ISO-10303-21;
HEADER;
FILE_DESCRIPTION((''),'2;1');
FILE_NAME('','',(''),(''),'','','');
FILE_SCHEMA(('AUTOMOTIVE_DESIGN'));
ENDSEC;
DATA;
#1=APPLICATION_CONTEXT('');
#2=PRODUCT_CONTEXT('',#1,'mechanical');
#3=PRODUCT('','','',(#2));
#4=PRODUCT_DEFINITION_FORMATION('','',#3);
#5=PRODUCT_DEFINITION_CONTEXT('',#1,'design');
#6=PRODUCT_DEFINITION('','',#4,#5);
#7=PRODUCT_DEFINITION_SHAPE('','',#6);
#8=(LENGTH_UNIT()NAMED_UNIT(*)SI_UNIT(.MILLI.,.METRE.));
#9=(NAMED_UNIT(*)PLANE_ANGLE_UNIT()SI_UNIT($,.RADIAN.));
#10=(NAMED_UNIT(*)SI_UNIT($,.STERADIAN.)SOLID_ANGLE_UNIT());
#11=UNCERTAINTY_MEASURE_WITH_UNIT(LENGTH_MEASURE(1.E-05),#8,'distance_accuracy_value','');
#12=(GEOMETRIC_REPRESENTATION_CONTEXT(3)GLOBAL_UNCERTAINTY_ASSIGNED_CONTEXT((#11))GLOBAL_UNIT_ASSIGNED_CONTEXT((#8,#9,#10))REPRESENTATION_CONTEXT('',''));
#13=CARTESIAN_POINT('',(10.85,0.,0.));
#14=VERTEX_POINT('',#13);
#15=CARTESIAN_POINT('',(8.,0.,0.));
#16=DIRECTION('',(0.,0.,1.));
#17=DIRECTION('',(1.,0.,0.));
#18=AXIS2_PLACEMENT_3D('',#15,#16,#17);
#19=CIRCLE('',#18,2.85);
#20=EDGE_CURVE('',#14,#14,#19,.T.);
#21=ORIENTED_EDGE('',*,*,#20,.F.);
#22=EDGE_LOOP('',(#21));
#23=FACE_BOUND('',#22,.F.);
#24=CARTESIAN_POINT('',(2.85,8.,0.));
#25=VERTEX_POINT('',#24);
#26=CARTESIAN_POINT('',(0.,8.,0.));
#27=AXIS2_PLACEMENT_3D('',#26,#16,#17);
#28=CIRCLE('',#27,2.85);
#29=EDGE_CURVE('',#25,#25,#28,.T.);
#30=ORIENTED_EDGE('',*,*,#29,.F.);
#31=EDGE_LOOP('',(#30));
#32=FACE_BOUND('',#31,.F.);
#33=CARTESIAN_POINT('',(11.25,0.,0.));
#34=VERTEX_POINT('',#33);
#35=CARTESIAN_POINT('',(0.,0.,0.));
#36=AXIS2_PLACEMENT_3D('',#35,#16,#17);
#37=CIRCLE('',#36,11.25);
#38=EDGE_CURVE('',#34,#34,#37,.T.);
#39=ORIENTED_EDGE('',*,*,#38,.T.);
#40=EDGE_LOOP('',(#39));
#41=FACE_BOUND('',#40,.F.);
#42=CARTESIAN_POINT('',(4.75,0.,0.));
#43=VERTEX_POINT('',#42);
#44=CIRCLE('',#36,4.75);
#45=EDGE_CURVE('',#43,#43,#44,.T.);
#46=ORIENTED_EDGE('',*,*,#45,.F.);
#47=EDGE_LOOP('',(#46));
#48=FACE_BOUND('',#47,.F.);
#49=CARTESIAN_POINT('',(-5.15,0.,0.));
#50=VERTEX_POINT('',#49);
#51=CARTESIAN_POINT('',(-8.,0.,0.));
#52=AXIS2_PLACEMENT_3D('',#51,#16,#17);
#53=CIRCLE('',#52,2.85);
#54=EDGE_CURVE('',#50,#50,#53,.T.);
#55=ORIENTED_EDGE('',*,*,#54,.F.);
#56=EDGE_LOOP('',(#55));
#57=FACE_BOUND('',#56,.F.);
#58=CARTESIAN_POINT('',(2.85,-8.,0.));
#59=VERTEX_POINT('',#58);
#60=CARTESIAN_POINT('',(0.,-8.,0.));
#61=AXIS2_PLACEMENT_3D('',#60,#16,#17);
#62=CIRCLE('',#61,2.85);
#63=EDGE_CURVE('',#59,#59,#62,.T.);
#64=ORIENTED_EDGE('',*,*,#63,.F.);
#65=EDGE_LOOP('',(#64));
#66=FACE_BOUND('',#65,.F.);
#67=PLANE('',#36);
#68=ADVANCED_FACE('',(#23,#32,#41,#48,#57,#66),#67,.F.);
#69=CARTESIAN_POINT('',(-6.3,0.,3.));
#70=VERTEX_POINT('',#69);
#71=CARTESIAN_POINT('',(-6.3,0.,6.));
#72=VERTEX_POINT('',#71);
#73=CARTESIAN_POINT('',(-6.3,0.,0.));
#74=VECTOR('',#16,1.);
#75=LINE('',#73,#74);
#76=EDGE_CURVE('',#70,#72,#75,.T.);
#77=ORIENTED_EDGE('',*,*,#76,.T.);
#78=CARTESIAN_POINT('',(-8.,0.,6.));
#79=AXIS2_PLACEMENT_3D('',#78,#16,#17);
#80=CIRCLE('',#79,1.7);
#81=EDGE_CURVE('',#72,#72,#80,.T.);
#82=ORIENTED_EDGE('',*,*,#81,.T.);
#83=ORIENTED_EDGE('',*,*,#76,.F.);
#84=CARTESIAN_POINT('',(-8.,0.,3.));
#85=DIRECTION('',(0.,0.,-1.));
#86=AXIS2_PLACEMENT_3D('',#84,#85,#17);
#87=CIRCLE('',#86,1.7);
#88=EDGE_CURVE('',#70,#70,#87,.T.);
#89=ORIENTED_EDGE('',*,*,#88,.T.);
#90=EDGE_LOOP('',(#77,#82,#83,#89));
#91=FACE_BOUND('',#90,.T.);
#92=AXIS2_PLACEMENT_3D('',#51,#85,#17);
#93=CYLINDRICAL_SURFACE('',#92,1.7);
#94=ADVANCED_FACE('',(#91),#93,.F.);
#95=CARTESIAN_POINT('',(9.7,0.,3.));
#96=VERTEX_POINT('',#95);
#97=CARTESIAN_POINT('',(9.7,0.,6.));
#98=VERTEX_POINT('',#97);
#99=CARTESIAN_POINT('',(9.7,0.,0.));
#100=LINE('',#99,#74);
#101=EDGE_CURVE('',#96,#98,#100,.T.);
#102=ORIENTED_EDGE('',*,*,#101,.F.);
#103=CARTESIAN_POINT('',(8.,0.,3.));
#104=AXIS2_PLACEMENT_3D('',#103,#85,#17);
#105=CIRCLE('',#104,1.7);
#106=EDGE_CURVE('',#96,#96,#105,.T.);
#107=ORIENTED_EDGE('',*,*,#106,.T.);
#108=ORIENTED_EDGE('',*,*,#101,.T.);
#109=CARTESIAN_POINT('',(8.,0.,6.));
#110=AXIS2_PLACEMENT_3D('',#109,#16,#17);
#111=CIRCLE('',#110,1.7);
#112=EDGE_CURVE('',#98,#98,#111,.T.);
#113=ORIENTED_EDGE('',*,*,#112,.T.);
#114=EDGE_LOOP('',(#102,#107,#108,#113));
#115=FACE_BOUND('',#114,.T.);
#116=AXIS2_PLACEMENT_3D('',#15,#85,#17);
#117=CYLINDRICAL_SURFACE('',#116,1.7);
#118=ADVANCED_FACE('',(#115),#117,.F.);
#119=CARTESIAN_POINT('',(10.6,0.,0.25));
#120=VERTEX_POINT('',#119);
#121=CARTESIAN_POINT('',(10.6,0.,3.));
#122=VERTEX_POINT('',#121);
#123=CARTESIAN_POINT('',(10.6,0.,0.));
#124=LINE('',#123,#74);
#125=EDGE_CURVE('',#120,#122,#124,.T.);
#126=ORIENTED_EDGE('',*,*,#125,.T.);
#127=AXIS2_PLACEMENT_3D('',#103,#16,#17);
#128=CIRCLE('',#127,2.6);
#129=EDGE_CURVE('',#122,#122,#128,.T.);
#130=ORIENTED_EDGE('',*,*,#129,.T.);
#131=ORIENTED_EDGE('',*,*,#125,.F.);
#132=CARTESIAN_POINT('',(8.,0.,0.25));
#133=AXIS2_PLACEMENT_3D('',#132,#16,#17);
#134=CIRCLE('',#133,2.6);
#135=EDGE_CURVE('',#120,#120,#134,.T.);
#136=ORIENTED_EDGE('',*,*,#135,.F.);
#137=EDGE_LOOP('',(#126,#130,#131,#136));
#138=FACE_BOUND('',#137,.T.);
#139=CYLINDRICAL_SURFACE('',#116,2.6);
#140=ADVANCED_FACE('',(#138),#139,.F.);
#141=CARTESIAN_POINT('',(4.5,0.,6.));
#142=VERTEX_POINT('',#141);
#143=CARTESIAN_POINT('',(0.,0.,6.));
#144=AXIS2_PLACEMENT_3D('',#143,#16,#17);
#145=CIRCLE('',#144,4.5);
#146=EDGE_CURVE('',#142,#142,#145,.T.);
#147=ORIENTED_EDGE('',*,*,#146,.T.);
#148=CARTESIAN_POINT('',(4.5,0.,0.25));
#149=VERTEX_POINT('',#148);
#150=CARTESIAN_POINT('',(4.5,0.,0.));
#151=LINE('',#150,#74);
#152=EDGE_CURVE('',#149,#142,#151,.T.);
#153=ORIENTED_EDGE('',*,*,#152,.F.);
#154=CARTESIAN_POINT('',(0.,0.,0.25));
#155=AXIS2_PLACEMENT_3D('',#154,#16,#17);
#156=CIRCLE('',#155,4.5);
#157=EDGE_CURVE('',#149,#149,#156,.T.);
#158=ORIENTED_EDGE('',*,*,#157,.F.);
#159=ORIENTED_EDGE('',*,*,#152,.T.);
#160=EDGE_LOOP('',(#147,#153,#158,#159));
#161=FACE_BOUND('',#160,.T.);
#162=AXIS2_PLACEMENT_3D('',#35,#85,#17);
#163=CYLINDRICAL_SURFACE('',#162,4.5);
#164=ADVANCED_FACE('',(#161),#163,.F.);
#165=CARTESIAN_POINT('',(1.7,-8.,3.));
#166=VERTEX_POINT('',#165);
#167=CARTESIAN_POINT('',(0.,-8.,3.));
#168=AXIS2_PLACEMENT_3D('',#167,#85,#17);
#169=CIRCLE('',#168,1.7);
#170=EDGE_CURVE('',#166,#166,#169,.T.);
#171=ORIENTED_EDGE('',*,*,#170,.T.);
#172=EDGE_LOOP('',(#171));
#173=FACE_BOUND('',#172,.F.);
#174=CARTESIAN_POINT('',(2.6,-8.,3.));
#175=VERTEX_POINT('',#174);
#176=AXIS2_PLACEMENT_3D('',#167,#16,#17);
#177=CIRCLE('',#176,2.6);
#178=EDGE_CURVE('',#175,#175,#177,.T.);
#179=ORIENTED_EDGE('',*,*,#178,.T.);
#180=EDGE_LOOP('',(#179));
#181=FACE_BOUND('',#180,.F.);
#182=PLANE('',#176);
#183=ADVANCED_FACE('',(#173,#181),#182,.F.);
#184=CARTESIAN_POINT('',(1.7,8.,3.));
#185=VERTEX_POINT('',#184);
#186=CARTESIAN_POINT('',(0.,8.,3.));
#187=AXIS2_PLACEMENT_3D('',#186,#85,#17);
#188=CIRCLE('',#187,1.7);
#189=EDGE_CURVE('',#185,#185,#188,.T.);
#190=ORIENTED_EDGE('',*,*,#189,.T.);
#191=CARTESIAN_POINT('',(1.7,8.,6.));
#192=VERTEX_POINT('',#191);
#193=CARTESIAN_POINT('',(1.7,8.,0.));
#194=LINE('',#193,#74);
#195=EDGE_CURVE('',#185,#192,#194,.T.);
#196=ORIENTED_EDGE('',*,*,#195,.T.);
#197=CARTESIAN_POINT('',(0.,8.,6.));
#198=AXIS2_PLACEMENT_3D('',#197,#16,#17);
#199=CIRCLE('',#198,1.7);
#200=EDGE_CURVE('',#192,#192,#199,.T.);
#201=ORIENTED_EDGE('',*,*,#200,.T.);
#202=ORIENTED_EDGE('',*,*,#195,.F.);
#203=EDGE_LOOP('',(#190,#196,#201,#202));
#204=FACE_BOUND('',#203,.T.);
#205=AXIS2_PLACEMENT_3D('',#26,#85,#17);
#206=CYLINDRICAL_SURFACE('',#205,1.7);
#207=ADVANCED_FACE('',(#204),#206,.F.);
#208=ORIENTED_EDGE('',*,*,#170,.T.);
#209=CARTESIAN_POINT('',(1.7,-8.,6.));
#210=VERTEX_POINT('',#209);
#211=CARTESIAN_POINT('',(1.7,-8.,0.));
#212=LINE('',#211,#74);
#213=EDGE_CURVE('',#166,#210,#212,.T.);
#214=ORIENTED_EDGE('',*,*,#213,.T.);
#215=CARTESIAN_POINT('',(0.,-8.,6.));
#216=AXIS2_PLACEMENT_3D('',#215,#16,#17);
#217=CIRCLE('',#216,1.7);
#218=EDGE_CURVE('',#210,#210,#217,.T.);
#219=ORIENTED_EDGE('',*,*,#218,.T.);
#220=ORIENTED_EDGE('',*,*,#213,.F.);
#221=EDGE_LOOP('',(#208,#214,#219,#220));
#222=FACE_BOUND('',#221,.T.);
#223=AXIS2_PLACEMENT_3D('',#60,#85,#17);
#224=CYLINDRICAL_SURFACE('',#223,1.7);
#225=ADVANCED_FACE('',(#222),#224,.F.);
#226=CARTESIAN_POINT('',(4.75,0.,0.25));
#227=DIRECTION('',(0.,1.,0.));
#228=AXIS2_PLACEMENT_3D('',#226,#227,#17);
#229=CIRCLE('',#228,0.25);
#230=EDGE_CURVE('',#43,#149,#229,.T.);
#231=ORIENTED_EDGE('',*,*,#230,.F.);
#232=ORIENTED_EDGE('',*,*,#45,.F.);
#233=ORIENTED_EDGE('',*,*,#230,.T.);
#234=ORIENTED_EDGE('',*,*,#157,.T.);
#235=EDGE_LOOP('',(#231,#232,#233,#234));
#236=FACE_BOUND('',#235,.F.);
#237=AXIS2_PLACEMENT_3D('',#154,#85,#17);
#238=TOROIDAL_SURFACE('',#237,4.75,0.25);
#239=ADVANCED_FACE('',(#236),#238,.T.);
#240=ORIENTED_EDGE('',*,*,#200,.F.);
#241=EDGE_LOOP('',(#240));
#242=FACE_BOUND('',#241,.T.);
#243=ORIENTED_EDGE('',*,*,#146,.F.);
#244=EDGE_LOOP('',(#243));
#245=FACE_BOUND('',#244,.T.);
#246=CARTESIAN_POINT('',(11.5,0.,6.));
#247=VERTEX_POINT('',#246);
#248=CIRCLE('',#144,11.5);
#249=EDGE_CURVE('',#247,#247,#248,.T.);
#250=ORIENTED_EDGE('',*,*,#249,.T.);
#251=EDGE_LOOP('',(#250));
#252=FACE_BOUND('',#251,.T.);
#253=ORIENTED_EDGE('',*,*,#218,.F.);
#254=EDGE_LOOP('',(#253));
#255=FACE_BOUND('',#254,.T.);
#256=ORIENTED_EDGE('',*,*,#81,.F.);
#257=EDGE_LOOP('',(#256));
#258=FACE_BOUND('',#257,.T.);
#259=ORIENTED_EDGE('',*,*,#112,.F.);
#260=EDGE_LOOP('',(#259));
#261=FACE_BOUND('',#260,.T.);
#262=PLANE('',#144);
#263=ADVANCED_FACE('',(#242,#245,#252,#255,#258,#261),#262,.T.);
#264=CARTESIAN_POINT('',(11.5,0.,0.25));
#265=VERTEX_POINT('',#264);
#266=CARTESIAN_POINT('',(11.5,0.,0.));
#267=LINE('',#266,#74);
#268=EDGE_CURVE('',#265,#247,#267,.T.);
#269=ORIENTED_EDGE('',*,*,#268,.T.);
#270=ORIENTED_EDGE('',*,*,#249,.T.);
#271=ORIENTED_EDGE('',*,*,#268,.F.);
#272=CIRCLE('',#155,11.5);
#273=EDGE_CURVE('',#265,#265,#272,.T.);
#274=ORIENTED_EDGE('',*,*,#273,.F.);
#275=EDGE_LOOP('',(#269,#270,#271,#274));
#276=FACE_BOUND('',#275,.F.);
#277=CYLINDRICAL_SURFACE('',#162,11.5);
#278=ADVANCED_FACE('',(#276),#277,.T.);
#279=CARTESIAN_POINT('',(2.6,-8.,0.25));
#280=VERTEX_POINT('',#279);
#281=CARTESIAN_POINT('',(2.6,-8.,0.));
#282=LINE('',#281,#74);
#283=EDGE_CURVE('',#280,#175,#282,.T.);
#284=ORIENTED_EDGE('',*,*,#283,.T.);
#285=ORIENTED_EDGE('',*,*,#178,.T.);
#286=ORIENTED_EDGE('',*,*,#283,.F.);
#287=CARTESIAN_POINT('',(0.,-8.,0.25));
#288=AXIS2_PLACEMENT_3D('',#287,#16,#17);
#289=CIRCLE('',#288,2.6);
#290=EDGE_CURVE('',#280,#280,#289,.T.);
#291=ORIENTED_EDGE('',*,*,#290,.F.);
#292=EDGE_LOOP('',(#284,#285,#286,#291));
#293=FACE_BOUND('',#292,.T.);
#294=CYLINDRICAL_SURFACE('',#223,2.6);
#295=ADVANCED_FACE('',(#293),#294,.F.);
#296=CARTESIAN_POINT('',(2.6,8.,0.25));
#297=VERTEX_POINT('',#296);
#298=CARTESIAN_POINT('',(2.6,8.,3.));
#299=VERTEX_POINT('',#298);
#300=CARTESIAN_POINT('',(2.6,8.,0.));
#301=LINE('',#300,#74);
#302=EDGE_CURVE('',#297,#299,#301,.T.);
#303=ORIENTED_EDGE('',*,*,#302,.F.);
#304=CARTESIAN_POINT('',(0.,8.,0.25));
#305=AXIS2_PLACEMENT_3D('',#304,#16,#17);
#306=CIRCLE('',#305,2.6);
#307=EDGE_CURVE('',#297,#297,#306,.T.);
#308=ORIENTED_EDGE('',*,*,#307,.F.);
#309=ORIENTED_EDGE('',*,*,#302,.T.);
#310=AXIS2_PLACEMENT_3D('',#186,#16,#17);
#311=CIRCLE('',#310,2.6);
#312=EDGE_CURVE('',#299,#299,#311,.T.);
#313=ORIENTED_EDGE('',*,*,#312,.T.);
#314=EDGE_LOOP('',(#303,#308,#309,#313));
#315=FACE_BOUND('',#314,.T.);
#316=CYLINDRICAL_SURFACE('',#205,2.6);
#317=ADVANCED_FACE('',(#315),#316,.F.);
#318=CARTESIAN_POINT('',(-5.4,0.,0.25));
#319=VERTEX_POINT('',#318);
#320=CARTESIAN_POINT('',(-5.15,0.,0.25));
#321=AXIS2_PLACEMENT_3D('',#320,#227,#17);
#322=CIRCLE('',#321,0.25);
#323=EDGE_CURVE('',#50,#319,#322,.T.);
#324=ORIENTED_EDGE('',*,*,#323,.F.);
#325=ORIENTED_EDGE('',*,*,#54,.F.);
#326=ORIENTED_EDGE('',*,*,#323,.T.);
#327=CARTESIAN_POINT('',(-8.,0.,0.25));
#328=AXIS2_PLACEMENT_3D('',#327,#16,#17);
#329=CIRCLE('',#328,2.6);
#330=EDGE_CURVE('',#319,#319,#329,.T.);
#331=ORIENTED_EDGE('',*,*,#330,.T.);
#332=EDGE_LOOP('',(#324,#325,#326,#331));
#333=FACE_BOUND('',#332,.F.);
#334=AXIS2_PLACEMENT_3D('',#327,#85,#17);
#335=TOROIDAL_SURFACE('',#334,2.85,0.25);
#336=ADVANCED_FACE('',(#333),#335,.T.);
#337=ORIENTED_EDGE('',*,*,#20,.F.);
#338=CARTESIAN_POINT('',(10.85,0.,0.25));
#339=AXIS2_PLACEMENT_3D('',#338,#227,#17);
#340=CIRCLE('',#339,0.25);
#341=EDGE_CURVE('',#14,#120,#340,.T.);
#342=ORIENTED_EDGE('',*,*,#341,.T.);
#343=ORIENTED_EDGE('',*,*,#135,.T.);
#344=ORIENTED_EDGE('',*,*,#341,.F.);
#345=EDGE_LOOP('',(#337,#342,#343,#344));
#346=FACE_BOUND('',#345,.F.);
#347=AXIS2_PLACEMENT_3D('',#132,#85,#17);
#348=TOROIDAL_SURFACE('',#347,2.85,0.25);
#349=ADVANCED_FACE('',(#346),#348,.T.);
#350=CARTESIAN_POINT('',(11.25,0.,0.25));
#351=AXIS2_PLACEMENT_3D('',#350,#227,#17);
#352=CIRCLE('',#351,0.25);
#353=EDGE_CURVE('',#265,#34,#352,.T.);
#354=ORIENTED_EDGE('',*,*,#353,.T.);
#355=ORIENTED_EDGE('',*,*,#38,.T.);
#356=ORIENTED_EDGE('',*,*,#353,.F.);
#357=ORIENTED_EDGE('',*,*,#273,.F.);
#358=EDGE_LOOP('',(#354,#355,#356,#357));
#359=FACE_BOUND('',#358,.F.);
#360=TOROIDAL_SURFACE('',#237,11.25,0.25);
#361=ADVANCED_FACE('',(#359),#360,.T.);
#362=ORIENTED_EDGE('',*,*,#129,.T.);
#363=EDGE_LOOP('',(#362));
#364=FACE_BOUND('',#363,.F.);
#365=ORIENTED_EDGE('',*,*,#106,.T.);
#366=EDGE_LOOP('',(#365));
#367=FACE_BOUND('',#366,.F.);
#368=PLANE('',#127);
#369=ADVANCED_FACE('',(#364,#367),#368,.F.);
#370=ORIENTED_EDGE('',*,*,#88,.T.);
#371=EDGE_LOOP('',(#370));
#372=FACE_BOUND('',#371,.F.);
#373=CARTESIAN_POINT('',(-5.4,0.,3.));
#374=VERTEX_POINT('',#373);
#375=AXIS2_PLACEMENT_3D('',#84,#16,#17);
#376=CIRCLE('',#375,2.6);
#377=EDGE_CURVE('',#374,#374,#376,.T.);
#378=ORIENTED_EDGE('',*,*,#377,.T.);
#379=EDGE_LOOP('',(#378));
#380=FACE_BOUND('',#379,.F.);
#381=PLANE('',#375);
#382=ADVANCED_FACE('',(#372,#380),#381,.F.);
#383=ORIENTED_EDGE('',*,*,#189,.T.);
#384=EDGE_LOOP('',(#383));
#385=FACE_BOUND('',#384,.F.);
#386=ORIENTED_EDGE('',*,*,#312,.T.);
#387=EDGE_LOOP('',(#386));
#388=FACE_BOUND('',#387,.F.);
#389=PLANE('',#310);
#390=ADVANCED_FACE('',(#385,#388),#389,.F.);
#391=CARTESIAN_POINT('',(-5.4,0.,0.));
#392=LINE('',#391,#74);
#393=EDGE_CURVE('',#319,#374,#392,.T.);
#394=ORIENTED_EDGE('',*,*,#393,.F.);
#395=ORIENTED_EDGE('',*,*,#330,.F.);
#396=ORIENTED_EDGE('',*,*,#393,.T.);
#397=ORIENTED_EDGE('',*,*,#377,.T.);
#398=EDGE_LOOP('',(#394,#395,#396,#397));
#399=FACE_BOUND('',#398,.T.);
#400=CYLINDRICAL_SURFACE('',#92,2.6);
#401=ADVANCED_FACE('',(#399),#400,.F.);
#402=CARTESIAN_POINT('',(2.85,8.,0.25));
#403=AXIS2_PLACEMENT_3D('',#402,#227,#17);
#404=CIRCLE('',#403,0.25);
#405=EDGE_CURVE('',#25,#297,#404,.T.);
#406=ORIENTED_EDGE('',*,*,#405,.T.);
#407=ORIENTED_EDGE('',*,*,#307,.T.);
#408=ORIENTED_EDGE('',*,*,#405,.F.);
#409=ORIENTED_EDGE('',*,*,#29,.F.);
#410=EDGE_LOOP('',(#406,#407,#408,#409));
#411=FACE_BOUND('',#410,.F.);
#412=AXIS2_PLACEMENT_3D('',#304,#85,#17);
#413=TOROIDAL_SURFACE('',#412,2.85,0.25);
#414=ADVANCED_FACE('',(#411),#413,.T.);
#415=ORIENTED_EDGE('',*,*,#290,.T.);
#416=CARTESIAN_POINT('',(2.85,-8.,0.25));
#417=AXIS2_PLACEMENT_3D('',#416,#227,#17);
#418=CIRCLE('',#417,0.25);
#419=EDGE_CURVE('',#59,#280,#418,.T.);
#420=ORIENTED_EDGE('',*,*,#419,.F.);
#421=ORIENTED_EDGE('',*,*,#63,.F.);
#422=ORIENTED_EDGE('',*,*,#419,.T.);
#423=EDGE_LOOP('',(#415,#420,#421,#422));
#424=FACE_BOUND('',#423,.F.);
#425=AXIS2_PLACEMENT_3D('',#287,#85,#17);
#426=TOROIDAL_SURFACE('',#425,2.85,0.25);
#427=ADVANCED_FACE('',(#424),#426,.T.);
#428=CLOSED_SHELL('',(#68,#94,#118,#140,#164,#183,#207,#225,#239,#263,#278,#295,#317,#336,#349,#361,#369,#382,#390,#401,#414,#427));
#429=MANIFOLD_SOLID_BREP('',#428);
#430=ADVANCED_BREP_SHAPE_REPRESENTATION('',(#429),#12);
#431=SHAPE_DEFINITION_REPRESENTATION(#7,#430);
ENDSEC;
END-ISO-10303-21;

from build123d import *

# Parameters (mm, degrees)
SKETCH_R     = 11.5
SKETCH_R_2   = 1.7
SKETCH_R_3   = 4.5
PAD_DEPTH    = 6
SKETCH001_R  = 2.6
POCKET_DEPTH = 3
FILLET_R     = 0.25


with BuildPart() as part:
    # Sketch → Pad (new body)
    with BuildSketch(Plane.XY):
        Circle(SKETCH_R)
        with Locations((0, 8)):
            Circle(SKETCH_R_2, mode=Mode.SUBTRACT)
        with Locations((-8, 0)):
            Circle(SKETCH_R_2, mode=Mode.SUBTRACT)
        with Locations((0, -8)):
            Circle(SKETCH_R_2, mode=Mode.SUBTRACT)
        with Locations((8, 0)):
            Circle(SKETCH_R_2, mode=Mode.SUBTRACT)
        Circle(SKETCH_R_3, mode=Mode.SUBTRACT)
    extrude(amount=PAD_DEPTH)

    # Sketch001 → Pocket (cut)
    with BuildSketch(Plane.XY):
        with Locations((0, 8)):
            Circle(SKETCH001_R)
        with Locations((0, -8)):
            Circle(SKETCH001_R)
        with Locations((8, 0)):
            Circle(SKETCH001_R)
        with Locations((-8, 0)):
            Circle(SKETCH001_R)
    extrude(amount=POCKET_DEPTH, mode=Mode.SUBTRACT)

    # Fillet
    fillet_edges = [part.edges().sort_by_distance(p)[0] for p in [
        (-11.5, 0, 0),
        (-2.6, -8, 0),
        (5.4, 0, 0),
        (-4.5, 0, 0),
        (-10.6, 0, 0),
        (-2.6, 8, 0),
    ]]
    fillet(fillet_edges, radius=FILLET_R)


solid = part.part
